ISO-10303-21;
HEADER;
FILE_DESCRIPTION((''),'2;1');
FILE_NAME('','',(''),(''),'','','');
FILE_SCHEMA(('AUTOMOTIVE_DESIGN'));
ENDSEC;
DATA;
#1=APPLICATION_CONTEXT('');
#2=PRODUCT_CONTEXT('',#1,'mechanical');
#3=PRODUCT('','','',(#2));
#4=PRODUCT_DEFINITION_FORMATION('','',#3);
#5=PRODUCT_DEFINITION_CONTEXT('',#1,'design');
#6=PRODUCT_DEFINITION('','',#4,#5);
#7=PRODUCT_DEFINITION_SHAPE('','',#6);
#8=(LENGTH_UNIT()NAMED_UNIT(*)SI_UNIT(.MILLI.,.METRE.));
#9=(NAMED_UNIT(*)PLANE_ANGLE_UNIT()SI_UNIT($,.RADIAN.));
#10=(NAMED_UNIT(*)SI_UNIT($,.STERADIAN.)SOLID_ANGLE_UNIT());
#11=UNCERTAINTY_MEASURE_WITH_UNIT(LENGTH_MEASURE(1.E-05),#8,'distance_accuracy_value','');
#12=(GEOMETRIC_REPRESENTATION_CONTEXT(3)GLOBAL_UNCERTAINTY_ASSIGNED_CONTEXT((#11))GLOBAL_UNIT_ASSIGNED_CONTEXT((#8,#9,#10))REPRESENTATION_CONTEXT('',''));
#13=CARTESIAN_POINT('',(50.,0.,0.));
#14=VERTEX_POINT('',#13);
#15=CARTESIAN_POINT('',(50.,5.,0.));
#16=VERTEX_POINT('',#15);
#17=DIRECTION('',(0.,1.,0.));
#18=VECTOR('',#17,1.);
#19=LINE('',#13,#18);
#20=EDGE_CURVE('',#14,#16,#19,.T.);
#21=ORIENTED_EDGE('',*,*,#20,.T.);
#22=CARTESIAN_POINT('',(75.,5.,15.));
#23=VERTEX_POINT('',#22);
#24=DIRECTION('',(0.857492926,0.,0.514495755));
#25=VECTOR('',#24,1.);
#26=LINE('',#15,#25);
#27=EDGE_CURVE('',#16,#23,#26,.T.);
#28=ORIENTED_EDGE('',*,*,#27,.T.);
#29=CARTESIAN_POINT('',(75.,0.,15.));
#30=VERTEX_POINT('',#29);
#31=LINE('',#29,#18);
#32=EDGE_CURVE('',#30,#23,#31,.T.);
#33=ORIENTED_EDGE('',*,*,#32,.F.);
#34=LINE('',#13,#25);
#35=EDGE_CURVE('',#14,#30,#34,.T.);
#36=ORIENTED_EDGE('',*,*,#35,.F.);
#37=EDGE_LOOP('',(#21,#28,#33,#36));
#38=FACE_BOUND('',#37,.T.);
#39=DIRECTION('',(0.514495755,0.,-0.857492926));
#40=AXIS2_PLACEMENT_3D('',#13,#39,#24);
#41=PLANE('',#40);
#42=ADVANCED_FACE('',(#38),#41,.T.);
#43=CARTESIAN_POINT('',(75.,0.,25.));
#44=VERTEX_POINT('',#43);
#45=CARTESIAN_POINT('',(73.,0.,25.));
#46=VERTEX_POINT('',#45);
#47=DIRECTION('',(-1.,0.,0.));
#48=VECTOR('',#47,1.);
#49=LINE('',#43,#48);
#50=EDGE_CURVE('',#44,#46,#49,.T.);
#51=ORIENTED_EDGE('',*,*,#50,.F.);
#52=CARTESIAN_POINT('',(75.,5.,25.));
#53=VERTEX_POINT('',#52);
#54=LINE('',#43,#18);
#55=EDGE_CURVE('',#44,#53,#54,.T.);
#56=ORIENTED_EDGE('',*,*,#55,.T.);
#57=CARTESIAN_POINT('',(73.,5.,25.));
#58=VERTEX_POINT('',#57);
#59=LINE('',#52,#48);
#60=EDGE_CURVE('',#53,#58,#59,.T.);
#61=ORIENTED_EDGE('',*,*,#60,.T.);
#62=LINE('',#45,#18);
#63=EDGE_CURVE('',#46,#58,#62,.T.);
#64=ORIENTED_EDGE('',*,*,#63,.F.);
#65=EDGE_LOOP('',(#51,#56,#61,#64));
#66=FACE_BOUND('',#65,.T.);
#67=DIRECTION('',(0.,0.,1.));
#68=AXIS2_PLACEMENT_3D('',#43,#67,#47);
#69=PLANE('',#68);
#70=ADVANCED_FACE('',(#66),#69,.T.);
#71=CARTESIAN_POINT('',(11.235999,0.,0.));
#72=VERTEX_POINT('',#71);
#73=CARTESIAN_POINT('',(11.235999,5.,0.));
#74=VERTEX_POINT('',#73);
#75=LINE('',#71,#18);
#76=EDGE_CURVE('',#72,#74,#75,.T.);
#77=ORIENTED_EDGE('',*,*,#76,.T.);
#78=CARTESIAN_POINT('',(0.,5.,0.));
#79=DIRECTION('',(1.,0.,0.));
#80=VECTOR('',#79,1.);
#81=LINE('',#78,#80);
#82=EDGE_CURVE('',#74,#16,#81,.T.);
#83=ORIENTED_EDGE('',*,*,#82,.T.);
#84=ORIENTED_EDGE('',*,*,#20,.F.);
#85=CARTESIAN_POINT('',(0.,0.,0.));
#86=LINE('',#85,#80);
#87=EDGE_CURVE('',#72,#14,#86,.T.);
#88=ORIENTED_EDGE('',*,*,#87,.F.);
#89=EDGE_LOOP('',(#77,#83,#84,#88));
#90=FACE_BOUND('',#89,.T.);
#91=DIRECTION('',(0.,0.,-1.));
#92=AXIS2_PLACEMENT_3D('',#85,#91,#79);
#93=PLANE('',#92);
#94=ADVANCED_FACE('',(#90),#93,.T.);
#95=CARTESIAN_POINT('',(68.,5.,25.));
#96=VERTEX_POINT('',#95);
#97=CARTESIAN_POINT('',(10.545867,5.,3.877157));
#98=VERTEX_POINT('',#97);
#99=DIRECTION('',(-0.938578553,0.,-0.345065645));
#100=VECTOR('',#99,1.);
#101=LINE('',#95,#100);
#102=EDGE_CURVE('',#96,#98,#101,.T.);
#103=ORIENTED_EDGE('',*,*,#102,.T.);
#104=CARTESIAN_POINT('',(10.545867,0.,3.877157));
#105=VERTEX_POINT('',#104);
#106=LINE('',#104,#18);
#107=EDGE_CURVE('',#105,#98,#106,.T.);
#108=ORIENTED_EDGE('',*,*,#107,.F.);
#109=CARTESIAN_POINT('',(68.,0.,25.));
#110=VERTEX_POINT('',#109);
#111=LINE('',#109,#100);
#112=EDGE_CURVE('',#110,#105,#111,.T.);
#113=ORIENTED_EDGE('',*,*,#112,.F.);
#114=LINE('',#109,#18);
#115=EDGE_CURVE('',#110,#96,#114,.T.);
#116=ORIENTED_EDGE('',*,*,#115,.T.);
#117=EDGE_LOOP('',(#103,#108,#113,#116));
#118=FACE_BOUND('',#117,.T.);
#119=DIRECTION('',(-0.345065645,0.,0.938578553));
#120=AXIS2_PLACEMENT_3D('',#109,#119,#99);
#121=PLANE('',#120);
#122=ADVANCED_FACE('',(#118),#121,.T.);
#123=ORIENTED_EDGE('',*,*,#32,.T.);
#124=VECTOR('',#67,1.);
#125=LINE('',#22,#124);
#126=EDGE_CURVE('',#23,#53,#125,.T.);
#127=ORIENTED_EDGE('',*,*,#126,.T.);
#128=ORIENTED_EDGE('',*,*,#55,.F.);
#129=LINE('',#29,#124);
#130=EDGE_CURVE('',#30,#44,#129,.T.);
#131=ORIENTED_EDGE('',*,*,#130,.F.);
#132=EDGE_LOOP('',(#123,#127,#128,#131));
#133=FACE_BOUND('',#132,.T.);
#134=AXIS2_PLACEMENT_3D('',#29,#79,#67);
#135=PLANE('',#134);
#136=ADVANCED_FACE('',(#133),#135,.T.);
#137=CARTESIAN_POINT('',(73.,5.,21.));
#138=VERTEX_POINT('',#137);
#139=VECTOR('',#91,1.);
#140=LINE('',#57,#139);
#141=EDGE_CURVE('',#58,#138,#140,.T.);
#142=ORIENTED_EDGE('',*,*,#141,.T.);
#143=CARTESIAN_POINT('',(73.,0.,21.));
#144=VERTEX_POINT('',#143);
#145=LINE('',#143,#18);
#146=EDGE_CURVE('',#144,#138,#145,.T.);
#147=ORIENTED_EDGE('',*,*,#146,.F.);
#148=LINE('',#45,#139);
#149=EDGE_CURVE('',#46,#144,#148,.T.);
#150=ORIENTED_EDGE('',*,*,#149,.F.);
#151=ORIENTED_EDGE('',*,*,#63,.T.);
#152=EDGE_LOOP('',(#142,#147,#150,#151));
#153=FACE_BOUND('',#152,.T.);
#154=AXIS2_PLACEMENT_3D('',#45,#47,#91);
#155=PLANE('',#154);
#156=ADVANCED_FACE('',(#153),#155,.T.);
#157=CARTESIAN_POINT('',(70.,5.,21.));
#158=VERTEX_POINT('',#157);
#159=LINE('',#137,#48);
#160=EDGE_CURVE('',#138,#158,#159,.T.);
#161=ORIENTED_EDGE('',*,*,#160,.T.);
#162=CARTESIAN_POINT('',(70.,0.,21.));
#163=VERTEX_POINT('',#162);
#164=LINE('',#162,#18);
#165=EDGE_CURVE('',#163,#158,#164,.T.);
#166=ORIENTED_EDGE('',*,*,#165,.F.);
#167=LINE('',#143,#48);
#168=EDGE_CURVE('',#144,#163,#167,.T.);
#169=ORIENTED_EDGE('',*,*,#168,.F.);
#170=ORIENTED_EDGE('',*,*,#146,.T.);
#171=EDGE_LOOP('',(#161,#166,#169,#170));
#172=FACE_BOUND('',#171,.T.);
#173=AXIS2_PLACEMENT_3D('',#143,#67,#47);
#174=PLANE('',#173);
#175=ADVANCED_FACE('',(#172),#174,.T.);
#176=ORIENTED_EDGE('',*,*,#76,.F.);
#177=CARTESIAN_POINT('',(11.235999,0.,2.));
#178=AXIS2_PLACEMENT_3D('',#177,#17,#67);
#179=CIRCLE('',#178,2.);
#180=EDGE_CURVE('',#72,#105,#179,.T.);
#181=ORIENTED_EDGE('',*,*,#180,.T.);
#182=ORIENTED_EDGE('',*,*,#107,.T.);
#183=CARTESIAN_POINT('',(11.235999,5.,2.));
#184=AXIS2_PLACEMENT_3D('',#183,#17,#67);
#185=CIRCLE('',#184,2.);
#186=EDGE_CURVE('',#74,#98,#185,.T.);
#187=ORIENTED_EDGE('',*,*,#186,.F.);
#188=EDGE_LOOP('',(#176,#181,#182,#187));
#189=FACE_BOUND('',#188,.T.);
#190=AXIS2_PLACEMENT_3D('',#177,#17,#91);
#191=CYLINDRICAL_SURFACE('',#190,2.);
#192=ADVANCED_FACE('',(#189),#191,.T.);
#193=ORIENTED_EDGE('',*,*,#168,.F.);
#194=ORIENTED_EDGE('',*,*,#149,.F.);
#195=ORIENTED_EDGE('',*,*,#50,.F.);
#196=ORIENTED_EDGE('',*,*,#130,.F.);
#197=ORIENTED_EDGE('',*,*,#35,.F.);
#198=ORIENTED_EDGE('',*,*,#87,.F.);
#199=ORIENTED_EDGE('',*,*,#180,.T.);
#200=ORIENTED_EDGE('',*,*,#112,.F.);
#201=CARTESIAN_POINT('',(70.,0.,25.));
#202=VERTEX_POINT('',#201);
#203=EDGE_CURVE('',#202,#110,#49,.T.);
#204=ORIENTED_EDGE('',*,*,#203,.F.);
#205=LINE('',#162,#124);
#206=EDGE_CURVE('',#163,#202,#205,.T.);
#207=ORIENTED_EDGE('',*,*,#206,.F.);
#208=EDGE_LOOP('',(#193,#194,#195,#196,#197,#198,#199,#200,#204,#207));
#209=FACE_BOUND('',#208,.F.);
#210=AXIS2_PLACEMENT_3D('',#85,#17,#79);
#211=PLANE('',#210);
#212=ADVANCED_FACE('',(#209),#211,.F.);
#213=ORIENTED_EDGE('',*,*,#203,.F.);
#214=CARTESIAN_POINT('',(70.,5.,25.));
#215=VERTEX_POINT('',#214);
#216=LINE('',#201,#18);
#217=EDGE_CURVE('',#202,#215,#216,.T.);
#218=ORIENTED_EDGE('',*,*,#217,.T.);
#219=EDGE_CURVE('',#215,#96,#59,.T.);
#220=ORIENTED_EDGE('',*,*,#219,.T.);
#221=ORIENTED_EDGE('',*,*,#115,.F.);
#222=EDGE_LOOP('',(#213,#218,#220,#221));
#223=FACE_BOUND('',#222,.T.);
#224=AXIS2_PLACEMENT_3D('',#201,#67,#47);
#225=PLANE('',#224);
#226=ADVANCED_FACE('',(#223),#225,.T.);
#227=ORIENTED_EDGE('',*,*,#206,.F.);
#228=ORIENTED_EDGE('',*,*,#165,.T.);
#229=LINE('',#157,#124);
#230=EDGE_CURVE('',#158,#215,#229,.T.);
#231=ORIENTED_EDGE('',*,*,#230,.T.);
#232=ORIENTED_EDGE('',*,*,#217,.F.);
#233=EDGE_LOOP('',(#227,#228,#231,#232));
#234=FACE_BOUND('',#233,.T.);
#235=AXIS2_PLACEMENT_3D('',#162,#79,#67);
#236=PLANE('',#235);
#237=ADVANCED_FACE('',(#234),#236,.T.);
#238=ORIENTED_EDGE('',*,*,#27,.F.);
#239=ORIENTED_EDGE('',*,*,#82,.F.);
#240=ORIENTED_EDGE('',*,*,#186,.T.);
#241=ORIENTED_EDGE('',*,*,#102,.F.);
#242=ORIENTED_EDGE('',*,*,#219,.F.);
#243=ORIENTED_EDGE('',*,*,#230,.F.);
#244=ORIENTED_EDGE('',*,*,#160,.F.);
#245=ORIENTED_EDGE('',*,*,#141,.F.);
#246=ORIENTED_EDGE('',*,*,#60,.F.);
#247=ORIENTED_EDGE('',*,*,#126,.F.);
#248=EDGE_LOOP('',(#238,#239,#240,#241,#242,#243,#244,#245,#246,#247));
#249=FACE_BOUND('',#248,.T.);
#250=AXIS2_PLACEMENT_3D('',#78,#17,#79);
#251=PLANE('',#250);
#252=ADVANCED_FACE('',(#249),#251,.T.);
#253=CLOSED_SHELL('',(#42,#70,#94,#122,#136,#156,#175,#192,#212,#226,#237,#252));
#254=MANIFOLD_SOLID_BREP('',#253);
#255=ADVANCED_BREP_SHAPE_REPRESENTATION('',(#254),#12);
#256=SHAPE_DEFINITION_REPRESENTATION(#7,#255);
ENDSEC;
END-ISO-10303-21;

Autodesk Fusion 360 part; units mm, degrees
sketch "Sketch1" plane through (0, 0, 0) normal (0, 1, 0) x (1, 0, 0)
  line L0 (0, 0) -> (50, 0)
  line L1 (50, 0) -> (75, -15)
  line L2 (75, -15) -> (75, -25)
  line L3 (75, -25) -> (68, -25)
  line L4 (68, -25) -> (0, 0)
  line L5 (70, -25) -> (73, -25)
  line L6 (73, -25) -> (73, -21)
  line L7 (73, -21) -> (70, -21)
  line L8 (70, -21) -> (70, -25)
  dimension "d1" = 50
  dimension "d3" = 15
  dimension "d4" = 25
  dimension "d7" = 7
  dimension "d8" = 3
  dimension "d9" = 4
extrude "Extrude1" add sketch "Sketch1" along normal blind 5 contours L0 L1 L2 L3 L4 L6 L7 L8
fillet "Fillet1" radius 2 1 edges at (0, 2.5, 0)
